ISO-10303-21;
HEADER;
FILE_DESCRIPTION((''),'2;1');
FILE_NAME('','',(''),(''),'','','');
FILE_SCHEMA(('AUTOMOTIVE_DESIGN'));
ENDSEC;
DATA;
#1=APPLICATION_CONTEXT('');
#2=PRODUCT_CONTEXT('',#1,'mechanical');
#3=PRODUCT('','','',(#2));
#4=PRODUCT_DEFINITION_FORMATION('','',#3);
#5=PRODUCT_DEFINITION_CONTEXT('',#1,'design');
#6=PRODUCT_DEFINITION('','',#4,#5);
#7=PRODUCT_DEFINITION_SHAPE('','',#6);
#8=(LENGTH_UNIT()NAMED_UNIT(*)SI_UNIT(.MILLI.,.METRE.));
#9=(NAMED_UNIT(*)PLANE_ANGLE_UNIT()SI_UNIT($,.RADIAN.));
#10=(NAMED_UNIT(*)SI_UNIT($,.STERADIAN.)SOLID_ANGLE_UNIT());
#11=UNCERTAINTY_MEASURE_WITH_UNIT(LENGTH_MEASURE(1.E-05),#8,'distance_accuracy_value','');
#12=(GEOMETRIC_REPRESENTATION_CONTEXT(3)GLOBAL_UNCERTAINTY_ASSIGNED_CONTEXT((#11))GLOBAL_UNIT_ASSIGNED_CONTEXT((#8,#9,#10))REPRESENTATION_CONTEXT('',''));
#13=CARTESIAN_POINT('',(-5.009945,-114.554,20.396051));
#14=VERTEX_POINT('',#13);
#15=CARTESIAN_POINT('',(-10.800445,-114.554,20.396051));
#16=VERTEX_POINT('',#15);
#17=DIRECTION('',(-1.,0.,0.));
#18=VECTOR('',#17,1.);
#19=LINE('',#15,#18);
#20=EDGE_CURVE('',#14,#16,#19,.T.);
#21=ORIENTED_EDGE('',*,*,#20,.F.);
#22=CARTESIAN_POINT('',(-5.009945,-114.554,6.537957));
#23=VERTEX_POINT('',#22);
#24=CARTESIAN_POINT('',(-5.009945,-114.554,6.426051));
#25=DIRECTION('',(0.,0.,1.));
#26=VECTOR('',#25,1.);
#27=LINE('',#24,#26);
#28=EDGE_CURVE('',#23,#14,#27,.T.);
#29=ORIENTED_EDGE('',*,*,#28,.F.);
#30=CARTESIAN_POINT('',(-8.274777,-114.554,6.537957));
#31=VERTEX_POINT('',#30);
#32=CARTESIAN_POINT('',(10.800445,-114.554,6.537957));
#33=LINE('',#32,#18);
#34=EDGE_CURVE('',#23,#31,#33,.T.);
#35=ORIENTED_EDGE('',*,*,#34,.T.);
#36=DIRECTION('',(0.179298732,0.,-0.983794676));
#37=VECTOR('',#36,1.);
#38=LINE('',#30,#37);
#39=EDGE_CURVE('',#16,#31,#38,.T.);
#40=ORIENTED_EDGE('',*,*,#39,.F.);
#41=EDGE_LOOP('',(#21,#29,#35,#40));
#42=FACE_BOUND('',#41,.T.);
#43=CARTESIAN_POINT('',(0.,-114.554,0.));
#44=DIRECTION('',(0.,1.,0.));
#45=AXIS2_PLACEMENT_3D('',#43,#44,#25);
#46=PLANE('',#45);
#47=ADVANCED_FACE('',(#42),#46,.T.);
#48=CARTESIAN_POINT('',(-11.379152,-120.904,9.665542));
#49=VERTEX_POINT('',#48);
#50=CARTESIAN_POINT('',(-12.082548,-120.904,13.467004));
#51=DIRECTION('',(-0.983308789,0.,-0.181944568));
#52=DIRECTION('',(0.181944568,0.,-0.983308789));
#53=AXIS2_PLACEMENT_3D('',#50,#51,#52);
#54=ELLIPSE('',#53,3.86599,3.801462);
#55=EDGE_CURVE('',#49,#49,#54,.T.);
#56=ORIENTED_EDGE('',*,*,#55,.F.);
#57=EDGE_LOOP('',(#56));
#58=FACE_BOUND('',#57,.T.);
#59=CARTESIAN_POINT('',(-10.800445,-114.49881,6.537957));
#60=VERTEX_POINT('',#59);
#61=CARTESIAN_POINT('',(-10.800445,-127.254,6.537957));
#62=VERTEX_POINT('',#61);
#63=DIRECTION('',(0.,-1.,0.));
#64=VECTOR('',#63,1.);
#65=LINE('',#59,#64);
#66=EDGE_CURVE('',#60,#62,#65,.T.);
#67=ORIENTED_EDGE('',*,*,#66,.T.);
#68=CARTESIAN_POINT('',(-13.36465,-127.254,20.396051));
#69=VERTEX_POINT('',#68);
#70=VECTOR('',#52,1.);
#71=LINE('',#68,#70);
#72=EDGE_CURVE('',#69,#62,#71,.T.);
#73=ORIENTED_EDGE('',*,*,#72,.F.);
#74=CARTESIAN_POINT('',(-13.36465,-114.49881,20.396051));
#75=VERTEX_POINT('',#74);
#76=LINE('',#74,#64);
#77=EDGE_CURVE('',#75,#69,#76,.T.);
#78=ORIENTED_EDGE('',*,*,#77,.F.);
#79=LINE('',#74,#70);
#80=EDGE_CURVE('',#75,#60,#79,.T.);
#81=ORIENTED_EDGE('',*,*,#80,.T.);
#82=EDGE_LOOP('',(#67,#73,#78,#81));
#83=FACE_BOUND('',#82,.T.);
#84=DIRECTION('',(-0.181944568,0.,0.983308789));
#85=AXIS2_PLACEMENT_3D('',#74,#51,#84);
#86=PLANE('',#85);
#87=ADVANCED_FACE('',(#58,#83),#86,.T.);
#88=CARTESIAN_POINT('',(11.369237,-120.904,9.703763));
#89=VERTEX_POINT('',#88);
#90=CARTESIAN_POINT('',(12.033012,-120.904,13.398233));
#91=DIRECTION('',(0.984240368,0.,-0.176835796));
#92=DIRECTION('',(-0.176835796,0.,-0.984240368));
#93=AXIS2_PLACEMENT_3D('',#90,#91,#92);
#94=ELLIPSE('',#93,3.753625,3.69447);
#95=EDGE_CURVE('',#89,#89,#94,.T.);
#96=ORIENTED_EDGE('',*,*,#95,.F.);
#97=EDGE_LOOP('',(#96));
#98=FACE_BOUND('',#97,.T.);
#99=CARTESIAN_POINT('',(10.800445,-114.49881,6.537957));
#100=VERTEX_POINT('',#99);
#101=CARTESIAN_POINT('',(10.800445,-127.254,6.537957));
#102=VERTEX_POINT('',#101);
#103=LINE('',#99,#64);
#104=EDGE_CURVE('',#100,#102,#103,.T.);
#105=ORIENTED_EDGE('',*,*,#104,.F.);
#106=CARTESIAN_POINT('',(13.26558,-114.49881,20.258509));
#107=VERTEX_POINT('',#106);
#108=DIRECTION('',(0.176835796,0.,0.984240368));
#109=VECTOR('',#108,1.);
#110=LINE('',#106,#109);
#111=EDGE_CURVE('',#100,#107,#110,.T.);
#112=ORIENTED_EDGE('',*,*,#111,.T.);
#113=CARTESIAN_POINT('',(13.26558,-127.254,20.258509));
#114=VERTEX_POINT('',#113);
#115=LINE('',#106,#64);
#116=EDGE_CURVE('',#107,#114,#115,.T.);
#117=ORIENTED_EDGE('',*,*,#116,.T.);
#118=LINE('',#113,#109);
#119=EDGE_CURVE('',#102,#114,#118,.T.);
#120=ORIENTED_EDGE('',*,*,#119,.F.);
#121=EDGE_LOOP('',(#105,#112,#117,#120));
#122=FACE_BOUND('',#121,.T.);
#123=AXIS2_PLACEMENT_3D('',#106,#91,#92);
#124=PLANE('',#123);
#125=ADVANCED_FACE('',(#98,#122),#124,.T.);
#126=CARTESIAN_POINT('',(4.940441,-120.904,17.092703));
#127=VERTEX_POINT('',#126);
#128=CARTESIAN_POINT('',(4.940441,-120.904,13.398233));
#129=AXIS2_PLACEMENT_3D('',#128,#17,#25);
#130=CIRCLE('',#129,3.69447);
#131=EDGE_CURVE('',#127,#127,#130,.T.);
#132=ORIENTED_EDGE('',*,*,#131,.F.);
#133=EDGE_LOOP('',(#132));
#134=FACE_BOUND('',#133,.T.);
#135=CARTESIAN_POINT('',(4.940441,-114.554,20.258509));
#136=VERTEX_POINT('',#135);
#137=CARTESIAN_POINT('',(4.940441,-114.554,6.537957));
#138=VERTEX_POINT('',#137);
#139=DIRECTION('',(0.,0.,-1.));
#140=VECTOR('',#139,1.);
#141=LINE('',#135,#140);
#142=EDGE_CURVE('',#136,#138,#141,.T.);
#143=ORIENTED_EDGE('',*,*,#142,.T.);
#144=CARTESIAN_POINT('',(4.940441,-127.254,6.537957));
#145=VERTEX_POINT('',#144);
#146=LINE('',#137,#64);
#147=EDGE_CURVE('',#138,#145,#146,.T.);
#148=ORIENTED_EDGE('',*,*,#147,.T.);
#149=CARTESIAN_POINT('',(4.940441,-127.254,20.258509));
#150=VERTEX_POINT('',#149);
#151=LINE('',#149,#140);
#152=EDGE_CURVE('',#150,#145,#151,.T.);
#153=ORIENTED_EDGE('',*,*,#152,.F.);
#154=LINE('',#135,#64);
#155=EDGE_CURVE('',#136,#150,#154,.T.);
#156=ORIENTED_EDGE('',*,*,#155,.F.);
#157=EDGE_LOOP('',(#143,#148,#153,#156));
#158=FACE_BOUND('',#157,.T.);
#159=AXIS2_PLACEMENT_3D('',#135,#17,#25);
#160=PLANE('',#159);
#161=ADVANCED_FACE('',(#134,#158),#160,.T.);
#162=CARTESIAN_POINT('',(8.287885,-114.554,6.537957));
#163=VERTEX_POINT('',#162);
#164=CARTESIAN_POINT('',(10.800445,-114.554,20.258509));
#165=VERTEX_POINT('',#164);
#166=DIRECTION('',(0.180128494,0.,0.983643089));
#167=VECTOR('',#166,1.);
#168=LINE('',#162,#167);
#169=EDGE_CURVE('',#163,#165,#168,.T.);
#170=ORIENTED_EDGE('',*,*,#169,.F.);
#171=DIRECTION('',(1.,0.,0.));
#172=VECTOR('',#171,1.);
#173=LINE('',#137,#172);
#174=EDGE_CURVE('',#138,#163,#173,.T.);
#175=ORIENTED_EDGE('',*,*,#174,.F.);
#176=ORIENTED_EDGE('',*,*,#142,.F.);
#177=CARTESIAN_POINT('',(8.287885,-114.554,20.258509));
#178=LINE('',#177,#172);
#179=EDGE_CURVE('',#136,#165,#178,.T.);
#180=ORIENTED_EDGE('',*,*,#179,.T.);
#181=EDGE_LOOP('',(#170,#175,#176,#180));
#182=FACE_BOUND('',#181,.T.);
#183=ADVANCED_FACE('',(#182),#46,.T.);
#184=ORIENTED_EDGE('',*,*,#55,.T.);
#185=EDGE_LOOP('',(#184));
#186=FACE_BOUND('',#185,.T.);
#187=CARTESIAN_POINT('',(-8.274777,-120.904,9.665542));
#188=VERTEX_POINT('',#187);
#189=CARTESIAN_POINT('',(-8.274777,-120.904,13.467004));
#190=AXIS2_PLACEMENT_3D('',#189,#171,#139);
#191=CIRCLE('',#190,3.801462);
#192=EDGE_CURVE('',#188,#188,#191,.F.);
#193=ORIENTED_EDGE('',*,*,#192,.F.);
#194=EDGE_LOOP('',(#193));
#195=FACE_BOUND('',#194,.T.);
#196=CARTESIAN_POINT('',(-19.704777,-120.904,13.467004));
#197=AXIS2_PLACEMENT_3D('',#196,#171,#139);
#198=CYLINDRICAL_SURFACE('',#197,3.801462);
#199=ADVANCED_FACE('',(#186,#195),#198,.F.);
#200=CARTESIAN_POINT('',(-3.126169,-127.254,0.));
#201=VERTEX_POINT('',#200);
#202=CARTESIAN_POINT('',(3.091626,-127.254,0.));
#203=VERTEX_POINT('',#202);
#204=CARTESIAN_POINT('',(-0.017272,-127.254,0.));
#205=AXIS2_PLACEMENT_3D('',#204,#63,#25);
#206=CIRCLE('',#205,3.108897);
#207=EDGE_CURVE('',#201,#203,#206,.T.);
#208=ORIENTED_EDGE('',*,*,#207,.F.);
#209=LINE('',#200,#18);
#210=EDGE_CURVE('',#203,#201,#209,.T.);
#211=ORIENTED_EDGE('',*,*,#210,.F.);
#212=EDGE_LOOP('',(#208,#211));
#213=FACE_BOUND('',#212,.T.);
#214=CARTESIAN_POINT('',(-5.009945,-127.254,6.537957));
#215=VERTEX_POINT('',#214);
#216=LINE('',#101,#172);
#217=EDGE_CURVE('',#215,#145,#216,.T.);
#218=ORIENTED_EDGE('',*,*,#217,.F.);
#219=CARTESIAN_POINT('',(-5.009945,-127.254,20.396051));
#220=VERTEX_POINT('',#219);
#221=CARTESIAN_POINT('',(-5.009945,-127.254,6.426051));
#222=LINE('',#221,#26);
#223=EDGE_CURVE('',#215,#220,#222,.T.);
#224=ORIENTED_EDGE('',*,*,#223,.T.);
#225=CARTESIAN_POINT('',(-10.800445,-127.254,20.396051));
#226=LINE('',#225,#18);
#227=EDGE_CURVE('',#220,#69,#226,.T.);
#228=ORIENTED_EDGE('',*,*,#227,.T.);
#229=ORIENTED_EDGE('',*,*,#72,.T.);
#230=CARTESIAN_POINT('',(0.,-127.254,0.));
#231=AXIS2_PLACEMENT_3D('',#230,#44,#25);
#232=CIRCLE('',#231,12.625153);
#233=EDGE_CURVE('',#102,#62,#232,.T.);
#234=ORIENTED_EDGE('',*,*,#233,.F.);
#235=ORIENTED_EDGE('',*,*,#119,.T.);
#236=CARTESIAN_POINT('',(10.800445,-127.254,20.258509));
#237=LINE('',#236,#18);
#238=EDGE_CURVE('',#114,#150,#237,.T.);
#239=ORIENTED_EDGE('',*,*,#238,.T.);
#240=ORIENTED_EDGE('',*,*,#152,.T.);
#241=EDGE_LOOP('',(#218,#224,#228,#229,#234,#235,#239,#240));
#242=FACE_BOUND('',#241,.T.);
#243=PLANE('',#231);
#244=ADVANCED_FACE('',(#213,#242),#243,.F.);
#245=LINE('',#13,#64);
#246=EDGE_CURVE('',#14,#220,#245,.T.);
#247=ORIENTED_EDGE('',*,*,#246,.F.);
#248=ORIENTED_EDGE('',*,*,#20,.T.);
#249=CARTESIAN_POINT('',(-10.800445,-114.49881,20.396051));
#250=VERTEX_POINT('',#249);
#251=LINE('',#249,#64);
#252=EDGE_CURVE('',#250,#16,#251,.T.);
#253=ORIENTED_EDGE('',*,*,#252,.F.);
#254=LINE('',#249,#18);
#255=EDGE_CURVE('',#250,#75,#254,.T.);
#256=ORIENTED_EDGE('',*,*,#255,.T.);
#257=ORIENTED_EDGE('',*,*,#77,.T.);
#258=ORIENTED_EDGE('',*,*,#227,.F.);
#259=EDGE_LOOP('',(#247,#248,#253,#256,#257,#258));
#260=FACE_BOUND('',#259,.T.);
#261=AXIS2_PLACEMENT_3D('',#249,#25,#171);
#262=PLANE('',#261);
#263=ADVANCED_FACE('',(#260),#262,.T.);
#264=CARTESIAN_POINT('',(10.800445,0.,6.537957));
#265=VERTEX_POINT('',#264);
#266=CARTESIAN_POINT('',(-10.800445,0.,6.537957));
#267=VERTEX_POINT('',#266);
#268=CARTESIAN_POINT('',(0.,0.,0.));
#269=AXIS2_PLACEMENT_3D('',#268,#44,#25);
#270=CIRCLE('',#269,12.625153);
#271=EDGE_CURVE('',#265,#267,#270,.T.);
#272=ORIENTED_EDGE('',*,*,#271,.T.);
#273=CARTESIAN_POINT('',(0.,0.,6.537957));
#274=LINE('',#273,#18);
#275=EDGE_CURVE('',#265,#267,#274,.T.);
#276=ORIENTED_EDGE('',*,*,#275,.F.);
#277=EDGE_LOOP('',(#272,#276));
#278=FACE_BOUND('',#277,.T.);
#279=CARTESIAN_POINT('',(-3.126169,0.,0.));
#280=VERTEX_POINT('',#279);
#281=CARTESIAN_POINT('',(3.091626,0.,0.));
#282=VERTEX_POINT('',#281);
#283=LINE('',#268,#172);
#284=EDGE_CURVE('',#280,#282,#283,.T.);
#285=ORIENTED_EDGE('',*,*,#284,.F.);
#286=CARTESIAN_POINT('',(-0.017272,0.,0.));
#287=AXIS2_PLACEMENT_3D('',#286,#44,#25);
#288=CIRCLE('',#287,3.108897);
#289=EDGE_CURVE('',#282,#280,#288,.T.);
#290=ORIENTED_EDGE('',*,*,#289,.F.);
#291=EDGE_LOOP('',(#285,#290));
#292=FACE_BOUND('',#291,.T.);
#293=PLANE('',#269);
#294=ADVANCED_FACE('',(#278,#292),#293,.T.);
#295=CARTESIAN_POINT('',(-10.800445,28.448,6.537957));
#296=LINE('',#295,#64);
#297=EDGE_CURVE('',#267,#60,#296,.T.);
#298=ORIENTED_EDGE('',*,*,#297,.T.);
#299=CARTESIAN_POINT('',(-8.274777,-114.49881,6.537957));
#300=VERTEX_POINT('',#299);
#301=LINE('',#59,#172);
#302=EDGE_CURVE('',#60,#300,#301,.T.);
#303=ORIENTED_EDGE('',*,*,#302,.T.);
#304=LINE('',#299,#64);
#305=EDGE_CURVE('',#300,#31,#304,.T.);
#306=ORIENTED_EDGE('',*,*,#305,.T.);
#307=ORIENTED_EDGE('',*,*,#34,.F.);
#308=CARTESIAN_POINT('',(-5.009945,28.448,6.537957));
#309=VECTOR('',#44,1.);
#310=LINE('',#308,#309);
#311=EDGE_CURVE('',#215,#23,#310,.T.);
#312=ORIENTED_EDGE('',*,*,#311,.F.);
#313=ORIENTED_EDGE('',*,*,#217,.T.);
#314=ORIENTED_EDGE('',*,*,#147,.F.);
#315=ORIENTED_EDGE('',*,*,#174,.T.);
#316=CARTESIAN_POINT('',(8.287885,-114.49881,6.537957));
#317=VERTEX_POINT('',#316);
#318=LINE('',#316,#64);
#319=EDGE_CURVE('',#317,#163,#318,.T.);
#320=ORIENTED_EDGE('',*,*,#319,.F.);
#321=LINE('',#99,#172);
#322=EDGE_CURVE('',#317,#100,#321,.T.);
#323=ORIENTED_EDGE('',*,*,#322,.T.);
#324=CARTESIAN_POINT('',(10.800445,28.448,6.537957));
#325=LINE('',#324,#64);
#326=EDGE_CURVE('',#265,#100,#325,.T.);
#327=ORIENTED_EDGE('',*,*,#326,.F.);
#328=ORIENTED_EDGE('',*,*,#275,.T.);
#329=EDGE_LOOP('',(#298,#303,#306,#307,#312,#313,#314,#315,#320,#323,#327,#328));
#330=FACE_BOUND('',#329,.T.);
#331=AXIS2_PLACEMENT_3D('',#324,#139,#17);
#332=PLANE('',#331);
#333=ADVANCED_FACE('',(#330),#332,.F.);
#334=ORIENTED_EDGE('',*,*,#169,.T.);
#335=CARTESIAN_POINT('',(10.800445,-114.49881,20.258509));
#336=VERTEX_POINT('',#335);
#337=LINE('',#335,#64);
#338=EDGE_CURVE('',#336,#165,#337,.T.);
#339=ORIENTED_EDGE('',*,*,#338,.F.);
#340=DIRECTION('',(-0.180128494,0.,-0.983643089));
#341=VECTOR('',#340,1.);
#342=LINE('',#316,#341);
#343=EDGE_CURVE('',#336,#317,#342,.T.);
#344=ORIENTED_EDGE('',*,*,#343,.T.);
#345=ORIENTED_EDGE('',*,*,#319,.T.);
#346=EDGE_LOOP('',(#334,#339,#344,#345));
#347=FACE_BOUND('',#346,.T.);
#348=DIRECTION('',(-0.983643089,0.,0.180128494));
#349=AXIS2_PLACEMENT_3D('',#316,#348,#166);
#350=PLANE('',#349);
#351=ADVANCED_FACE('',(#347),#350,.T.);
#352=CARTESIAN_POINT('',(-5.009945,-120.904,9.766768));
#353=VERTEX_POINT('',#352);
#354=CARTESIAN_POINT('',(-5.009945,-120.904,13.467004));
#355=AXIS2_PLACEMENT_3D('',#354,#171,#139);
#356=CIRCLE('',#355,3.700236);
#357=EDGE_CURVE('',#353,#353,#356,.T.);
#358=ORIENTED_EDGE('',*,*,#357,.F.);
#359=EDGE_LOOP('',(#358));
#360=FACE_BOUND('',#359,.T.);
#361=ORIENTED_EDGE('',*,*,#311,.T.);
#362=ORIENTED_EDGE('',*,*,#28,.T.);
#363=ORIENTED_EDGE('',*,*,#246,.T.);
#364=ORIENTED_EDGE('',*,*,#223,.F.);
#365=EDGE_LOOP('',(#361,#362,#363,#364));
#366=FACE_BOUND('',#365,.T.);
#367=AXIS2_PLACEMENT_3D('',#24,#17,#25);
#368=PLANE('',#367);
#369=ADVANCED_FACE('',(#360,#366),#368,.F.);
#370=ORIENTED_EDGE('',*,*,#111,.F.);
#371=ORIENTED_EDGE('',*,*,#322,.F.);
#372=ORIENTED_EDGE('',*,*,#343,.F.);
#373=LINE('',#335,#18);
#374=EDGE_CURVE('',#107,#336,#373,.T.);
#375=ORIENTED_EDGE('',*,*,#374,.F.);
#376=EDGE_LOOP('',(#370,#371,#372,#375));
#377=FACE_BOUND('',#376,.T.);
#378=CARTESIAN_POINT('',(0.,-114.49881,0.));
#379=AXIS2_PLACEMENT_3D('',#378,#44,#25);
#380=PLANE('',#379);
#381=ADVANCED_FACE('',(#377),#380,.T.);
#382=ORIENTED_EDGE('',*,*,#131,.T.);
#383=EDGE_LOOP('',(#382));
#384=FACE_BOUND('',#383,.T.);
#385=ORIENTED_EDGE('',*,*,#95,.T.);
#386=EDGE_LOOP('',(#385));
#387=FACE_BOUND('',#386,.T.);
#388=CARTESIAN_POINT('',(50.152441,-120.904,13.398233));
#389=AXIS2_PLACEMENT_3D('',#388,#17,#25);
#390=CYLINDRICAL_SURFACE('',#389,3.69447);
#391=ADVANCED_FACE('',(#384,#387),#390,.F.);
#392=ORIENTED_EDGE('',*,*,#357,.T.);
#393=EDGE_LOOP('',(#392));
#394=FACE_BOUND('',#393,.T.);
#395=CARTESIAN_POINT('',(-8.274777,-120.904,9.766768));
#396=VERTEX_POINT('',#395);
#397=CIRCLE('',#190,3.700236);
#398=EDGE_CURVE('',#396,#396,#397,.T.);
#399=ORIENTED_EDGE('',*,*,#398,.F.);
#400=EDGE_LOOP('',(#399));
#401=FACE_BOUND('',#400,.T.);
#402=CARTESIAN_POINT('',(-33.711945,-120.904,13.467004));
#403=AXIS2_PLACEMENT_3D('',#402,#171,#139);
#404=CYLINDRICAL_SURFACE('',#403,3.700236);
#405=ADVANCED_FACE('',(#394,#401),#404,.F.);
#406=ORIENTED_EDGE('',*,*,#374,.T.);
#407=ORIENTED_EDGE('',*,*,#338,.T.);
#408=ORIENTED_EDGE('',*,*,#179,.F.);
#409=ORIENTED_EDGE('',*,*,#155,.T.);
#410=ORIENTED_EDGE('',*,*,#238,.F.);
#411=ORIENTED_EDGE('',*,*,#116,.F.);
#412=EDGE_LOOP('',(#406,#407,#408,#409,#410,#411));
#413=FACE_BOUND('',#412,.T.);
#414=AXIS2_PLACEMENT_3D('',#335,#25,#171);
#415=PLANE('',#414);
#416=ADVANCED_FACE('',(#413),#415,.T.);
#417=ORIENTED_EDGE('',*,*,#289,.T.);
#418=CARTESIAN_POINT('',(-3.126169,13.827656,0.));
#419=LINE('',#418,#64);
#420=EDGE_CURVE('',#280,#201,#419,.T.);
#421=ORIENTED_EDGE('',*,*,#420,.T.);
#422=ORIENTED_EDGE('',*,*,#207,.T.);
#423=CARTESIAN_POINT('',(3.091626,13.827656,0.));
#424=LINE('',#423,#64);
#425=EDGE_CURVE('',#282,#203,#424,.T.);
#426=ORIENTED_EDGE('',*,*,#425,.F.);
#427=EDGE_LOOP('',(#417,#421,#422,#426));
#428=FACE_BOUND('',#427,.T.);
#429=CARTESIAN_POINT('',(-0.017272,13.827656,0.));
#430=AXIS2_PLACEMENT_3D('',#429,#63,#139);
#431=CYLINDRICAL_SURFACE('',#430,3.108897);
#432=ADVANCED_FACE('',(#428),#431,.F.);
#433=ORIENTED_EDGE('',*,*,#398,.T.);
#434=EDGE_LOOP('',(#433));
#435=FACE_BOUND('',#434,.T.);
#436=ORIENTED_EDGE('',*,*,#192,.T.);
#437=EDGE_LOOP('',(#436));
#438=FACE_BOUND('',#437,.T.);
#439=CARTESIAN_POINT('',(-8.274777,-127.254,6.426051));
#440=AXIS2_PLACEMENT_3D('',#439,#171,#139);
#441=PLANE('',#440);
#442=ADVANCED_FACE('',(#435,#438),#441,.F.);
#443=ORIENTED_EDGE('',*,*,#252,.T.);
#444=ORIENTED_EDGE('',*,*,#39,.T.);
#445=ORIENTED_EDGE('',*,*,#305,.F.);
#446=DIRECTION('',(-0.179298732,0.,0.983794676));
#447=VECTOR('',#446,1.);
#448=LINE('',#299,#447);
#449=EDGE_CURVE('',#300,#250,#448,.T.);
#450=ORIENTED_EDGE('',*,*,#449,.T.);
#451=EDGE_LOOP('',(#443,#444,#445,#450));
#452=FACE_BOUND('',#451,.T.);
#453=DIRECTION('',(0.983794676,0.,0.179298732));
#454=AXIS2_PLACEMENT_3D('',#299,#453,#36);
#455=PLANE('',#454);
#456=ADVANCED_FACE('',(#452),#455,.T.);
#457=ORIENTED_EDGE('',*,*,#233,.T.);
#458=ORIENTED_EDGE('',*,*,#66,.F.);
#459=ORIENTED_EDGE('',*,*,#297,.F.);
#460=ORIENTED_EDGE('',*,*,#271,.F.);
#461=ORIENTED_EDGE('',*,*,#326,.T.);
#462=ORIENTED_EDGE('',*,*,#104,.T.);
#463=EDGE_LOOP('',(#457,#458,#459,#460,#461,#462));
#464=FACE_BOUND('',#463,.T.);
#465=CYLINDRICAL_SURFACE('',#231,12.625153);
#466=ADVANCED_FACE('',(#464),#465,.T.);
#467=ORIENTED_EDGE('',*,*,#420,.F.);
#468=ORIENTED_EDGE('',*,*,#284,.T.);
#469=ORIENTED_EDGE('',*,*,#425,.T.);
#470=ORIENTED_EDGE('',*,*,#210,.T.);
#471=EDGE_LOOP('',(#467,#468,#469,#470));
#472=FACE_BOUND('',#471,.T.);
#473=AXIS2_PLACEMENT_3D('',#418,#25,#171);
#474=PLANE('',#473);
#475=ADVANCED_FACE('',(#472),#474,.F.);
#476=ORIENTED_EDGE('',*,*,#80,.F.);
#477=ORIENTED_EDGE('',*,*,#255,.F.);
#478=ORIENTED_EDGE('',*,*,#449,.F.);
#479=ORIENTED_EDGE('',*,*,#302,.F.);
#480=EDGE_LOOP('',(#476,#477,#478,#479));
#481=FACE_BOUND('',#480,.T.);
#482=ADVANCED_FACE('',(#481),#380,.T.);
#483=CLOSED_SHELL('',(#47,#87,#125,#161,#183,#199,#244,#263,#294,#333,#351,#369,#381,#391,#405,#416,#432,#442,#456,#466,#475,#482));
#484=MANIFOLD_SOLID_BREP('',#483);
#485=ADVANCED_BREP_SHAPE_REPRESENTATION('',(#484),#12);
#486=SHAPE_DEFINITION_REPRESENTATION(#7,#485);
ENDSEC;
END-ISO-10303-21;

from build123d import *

# Parameters (mm, degrees)
SKETCH1_R           = 12.62515314
BOSS_EXTRUDE1_DEPTH = 127.254
SKETCH2_W           = 21.600890372
SKETCH2_H           = 6.08719661
CUT_EXTRUDE1_DEPTH  = 155.702
CUT_EXTRUDE2_DEPTH  = 141.081655767
BOSS_EXTRUDE2_DEPTH = 12.755190121
BOSS_EXTRUDE3_DEPTH = 12.755190121
BOSS_EXTRUDE4_DEPTH = 12.7
BOSS_EXTRUDE5_DEPTH = 12.7
SKETCH11_R          = 3.688999931
CUT_EXTRUDE3_DEPTH  = 13.97
SKETCH12_R          = 3.801462188
CUT_EXTRUDE4_DEPTH  = 11.43
SKETCH13_W          = 3.347443601
SKETCH13_H          = 13.720552831
BOSS_EXTRUDE6_DEPTH = 12.7
SKETCH14_W          = 3.264831583
SKETCH14_H          = 12.7
BOSS_EXTRUDE7_DEPTH = 13.97
SKETCH16_R          = 3.69446956
CUT_EXTRUDE6_DEPTH  = 45.212
SKETCH17_R          = 3.700235887
CUT_EXTRUDE7_DEPTH  = 28.702


with BuildPart() as part:
    # Sketch1 → Boss-Extrude1 (new body)
    with BuildSketch(Plane(origin=(0, 0, 0), x_dir=(1, 0, 0), z_dir=(0, 1, 0))):
        with Locations(Location((0, 0, 0), (0, 0, 270))):
            Circle(SKETCH1_R)
    extrude(amount=-BOSS_EXTRUDE1_DEPTH)

    # Sketch2 → Cut-Extrude1 (cut)
    with BuildSketch(Plane(origin=(0, -127.254, 0), x_dir=(-1, 0, 0), z_dir=(0, -1, 0))):
        with Locations((0, -9.581554835)):
            Rectangle(SKETCH2_W, SKETCH2_H)
    extrude(amount=-CUT_EXTRUDE1_DEPTH, mode=Mode.SUBTRACT)

    # Sketch3 → Cut-Extrude2 (cut)
    with BuildSketch(Plane(origin=(0, -127.254, 0), x_dir=(-1, 0, 0), z_dir=(0, -1, 0))):
        with BuildLine():
            Line((3.126169088, 0), (-3.091625783, 0))
            ThreePointArc((-3.091625783, 0), (0.017271652, 3.108897435), (3.126169088, 0))
        make_face()
    extrude(amount=-CUT_EXTRUDE2_DEPTH, mode=Mode.SUBTRACT)

    # Sketch4 → Boss-Extrude2 (add)
    with BuildSketch(Plane.XZ.offset(127.254)):
        Polygon((-10.800445186, 6.53795653), (-8.274777075, 6.53795653), (-10.800445186, 20.396051451), (-13.364649969, 20.396051451), align=None)
    extrude(amount=-BOSS_EXTRUDE2_DEPTH)

    # Sketch5 → Boss-Extrude3 (add)
    with BuildSketch(Plane.XZ.offset(127.254)):
        Polygon((10.800445186, 6.53795653), (8.287884941, 6.53795653), (10.800445186, 20.258509361), (13.265579683, 20.258509361), align=None)
    extrude(amount=-BOSS_EXTRUDE3_DEPTH)

    # Sketch9 → Boss-Extrude4 (add)
    with BuildSketch(Plane(origin=(0, -127.254, 0), x_dir=(-1, 0, 0), z_dir=(0, -1, 0))):
        Polygon((10.800445186, -20.396051451), (8.274777075, -20.396051451), (8.274777075, -6.53795653), align=None)
    extrude(amount=-BOSS_EXTRUDE4_DEPTH)

    # Sketch10 → Boss-Extrude5 (add)
    with BuildSketch(Plane(origin=(0, -127.254, 0), x_dir=(-1, 0, 0), z_dir=(0, -1, 0))):
        Polygon((-8.287884941, -6.53795653), (-8.287884941, -20.258509361), (-10.800445186, -20.258509361), align=None)
    extrude(amount=-BOSS_EXTRUDE5_DEPTH)

    # Sketch11 → Cut-Extrude3 (cut)
    with BuildSketch(Plane.ZY.offset(-8.287884941)):
        with Locations((13.398232945, -120.904)):
            Circle(SKETCH11_R)
    extrude(amount=-CUT_EXTRUDE3_DEPTH, mode=Mode.SUBTRACT)

    # Sketch12 → Cut-Extrude4 (cut)
    with BuildSketch(Plane(origin=(-8.274777075, 0, 0), x_dir=(0, 0, -1), z_dir=(1, 0, 0))):
        with Locations((-13.46700399, -120.904)):
            Circle(SKETCH12_R)
    extrude(amount=-CUT_EXTRUDE4_DEPTH, mode=Mode.SUBTRACT)

    # Sketch13 → Boss-Extrude6 (add)
    with BuildSketch(Plane.XZ.offset(127.254)):
        with Locations((6.614163141, 13.398232946)):
            Rectangle(SKETCH13_W, SKETCH13_H)
    extrude(amount=-BOSS_EXTRUDE6_DEPTH)

    # Sketch14 → Boss-Extrude7 (add)
    with BuildSketch(Plane.XY.offset(20.396051451)):
        with Locations((-6.642361284, -120.904)):
            Rectangle(SKETCH14_W, SKETCH14_H)
    extrude(amount=-BOSS_EXTRUDE7_DEPTH)

    # Sketch16 → Cut-Extrude6 (cut)
    with BuildSketch(Plane.ZY.offset(-4.94044134)):
        with Locations((13.398232945, -120.904)):
            Circle(SKETCH16_R)
    extrude(amount=-CUT_EXTRUDE6_DEPTH, mode=Mode.SUBTRACT)

    # Sketch17 → Cut-Extrude7 (cut)
    with BuildSketch(Plane(origin=(-5.009945492, 0, 0), x_dir=(0, 0, -1), z_dir=(1, 0, 0))):
        with Locations((-13.46700399, -120.904)):
            Circle(SKETCH17_R)
    extrude(amount=-CUT_EXTRUDE7_DEPTH, mode=Mode.SUBTRACT)


solid = part.part
